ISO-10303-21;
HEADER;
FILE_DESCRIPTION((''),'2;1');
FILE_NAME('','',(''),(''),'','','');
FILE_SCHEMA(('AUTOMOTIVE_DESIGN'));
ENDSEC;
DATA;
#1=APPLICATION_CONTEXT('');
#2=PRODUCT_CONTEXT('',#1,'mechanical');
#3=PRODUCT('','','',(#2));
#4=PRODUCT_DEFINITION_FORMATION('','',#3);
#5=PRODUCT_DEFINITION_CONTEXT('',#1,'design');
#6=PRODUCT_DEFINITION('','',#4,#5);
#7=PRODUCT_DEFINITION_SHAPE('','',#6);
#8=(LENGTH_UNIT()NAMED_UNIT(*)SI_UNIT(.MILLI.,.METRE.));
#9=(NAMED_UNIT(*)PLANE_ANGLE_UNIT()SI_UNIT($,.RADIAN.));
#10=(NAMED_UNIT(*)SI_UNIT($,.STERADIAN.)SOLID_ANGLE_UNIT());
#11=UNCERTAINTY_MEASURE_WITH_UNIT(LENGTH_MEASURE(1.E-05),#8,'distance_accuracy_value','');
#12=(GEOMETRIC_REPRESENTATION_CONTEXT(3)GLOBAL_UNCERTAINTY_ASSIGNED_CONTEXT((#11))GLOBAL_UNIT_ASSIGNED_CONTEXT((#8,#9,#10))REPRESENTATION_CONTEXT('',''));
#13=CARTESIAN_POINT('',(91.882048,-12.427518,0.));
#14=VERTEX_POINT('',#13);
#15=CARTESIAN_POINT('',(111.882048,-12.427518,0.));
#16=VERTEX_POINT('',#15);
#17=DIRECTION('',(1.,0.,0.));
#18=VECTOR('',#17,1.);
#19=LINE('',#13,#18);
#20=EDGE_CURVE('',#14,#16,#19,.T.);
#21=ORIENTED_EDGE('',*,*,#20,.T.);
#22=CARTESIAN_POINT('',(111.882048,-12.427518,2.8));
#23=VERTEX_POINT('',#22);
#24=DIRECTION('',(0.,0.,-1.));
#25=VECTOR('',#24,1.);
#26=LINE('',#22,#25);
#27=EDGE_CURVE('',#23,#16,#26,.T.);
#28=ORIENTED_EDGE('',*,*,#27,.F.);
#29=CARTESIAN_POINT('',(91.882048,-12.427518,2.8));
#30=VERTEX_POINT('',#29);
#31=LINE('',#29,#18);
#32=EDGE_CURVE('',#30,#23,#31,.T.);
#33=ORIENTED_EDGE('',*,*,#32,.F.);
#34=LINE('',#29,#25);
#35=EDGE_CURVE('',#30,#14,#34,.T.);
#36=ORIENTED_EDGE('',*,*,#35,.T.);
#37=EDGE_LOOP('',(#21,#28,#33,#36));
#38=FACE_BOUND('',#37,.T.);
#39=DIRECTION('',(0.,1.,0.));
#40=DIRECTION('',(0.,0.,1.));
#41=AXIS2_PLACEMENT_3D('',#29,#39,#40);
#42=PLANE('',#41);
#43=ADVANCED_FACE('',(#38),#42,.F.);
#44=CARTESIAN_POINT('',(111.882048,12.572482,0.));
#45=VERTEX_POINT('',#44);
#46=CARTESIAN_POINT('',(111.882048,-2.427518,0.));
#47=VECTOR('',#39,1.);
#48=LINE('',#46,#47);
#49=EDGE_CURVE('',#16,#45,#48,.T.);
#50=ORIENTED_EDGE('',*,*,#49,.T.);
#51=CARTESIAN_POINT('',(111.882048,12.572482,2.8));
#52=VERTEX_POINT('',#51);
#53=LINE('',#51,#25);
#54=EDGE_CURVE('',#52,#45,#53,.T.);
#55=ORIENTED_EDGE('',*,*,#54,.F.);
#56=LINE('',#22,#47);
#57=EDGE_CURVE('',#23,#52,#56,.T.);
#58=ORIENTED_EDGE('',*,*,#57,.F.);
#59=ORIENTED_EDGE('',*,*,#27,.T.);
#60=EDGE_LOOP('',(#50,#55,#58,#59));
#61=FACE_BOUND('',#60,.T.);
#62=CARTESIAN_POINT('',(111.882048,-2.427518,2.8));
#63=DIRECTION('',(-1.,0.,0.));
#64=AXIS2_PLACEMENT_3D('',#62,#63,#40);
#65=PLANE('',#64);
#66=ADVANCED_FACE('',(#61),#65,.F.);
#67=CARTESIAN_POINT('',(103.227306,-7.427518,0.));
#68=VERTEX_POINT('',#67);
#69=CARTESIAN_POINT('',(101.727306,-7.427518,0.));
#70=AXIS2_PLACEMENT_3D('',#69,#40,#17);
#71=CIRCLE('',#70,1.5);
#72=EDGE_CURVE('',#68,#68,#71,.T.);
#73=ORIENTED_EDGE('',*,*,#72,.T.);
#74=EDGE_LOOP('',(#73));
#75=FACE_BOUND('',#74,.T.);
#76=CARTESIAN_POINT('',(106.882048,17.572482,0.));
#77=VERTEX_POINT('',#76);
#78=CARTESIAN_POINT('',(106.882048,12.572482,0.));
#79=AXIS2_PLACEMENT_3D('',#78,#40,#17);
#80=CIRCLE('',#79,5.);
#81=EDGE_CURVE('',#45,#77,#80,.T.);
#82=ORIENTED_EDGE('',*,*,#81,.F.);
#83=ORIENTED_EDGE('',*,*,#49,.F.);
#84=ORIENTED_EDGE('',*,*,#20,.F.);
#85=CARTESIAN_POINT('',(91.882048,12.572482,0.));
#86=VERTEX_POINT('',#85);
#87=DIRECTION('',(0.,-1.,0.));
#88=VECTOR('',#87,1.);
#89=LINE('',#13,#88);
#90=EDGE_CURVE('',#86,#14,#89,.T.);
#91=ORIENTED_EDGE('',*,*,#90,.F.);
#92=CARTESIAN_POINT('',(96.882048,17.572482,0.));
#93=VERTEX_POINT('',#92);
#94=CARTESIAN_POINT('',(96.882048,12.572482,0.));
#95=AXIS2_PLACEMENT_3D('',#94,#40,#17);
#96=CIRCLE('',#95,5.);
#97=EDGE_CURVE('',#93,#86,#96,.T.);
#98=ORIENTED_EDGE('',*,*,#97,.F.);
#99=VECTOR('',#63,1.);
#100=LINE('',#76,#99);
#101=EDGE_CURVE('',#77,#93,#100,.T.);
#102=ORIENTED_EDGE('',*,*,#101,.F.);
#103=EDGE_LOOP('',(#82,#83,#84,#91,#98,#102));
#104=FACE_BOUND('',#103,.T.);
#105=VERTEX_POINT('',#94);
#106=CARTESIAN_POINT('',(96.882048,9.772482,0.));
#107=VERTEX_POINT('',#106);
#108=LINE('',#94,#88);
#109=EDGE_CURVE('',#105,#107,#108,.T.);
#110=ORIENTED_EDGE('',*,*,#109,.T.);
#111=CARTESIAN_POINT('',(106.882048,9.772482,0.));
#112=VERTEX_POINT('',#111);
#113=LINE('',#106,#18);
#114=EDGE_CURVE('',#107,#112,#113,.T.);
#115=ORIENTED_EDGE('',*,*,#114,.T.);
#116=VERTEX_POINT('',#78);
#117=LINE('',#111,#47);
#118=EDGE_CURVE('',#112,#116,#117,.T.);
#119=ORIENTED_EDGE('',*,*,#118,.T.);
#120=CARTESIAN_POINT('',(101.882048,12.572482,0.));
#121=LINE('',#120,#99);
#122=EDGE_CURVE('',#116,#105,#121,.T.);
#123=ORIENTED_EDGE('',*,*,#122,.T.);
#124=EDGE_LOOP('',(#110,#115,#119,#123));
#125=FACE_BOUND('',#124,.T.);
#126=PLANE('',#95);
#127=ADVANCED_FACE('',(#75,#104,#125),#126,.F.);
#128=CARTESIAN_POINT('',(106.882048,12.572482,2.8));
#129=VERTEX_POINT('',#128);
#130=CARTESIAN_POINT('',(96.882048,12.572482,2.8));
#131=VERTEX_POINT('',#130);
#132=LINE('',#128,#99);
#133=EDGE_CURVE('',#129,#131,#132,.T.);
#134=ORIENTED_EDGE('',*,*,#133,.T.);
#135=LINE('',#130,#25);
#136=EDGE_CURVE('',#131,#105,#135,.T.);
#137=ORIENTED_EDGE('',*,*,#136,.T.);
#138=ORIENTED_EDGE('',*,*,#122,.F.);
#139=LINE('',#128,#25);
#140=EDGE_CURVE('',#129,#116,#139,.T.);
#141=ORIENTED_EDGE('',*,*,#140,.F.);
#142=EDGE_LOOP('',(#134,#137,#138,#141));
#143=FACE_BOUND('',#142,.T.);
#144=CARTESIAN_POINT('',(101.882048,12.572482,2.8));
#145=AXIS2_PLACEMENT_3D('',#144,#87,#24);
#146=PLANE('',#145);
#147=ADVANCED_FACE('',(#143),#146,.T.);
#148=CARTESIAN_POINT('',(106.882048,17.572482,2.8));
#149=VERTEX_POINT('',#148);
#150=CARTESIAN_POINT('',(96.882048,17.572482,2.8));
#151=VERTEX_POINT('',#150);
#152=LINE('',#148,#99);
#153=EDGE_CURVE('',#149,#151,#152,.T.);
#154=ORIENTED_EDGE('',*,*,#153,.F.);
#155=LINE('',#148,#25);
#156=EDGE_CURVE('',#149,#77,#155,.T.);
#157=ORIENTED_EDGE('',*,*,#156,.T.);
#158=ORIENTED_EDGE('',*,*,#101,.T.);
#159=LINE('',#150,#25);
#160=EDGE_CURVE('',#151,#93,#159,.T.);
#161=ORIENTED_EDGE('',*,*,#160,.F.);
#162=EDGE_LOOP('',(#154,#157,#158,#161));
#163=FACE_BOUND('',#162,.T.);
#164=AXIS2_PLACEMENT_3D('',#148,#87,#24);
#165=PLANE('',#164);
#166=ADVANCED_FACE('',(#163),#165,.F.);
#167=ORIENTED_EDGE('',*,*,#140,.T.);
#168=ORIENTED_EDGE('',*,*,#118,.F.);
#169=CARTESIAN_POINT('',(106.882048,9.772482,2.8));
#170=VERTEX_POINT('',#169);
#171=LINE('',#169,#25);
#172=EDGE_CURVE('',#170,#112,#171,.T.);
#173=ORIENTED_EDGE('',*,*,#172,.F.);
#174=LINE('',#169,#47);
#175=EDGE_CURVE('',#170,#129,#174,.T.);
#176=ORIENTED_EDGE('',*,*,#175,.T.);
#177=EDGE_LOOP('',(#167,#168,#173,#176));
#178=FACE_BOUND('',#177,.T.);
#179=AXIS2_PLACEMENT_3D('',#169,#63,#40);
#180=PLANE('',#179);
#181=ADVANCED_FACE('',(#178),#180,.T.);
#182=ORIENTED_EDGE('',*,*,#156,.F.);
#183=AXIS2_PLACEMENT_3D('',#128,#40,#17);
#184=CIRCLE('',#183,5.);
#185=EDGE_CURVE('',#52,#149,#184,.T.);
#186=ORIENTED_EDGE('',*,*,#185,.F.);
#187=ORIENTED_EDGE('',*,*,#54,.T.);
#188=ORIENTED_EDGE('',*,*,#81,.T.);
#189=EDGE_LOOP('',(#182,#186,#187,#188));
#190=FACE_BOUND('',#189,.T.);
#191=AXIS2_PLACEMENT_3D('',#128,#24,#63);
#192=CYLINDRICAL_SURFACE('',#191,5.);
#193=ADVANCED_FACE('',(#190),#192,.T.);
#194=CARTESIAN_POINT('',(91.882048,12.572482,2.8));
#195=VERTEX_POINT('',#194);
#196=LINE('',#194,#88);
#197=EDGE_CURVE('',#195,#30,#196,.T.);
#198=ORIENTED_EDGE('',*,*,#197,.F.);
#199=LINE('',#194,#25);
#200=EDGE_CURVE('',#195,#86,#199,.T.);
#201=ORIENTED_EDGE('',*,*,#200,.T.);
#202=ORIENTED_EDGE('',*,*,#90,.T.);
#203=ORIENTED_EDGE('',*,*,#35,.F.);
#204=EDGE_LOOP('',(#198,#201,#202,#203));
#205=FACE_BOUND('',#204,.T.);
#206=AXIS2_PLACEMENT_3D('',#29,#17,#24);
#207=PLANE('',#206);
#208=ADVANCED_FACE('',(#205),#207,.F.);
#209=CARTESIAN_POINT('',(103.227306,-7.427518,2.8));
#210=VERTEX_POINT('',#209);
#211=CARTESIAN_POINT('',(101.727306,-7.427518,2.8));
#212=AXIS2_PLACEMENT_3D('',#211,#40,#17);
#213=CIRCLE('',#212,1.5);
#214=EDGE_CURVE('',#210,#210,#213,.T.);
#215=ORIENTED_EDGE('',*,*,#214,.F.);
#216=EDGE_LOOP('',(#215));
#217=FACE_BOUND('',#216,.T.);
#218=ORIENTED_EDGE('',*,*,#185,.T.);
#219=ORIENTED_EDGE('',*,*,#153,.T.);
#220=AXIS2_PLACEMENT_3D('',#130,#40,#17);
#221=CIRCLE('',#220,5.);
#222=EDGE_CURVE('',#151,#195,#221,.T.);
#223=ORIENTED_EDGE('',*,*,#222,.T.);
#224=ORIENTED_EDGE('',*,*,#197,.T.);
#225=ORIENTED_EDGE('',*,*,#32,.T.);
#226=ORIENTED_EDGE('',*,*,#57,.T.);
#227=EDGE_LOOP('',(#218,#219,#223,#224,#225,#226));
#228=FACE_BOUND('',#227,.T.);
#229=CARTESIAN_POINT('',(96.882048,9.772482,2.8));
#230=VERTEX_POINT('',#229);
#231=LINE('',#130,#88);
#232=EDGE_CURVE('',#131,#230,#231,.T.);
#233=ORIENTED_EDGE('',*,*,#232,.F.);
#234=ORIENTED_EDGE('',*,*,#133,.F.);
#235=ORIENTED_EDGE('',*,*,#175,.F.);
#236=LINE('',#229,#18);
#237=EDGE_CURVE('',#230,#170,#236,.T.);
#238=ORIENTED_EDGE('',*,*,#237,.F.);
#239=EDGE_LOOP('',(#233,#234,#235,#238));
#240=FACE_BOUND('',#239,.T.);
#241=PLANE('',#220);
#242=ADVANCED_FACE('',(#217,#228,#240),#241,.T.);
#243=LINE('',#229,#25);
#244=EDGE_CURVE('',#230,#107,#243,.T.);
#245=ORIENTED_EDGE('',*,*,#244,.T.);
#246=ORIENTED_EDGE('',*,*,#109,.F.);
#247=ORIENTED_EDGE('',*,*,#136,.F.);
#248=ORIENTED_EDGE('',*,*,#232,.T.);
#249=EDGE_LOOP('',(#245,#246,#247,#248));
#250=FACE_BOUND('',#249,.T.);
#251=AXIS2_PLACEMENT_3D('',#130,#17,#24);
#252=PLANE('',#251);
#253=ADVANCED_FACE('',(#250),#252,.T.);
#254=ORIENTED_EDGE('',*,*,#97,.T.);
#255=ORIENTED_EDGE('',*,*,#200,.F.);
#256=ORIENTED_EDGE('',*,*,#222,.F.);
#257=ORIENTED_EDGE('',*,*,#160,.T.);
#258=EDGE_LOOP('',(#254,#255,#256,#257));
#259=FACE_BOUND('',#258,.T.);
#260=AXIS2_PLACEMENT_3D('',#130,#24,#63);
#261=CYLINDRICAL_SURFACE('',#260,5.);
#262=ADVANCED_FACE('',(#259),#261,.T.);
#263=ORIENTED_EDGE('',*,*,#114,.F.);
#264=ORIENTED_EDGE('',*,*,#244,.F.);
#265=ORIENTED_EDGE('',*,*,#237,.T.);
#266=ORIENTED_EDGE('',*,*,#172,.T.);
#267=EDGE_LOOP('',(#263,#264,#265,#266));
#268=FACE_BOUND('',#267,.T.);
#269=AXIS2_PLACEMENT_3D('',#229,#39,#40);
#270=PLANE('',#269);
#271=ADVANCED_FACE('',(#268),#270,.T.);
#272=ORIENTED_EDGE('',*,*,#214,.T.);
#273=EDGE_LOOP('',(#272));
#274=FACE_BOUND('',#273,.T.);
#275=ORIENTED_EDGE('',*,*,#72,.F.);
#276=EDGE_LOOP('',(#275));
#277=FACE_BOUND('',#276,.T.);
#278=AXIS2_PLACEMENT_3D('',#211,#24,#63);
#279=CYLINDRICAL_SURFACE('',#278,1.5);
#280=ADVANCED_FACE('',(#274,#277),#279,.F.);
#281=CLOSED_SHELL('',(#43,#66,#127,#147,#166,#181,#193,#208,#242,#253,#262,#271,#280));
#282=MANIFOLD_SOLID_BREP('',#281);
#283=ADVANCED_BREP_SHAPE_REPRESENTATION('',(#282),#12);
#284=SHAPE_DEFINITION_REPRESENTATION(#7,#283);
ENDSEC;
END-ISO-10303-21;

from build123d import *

# Parameters (mm, degrees)
MODEL_R             = 1.5
BOSS_EXTRUDE1_DEPTH = 2.8


with BuildPart() as part:
    # Model → Boss-Extrude1 (new body)
    with BuildSketch(Plane.XY):
        with BuildLine():
            Line((91.882047895, -12.427518263), (111.882047895, -12.427518263))
            Line((111.882047895, -12.427518263), (111.882047895, -2.427518263))
            Line((111.882047895, -2.427518263), (111.882047895, 12.572481737))
            ThreePointArc((111.882047895, 12.572481737), (110.417581801, 16.108015643), (106.882047895, 17.572481737))
            Line((106.882047895, 17.572481737), (96.882047895, 17.572481737))
            ThreePointArc((96.882047895, 17.572481737), (93.346513989, 16.108015643), (91.882047895, 12.572481737))
            Line((91.882047895, 12.572481737), (91.882047895, -2.427518263))
            Line((91.882047895, -2.427518263), (91.882047895, -12.427518263))
        make_face()
        with Locations((101.727306447, -7.427518263)):
            Circle(MODEL_R, mode=Mode.SUBTRACT)
        Polygon((101.882047895, 12.572481737), (96.882047895, 12.572481737), (96.882047895, 9.772481737), (106.882047895, 9.772481737), (106.882047895, 12.572481737), align=None, mode=Mode.SUBTRACT)
    extrude(amount=BOSS_EXTRUDE1_DEPTH)


solid = part.part
